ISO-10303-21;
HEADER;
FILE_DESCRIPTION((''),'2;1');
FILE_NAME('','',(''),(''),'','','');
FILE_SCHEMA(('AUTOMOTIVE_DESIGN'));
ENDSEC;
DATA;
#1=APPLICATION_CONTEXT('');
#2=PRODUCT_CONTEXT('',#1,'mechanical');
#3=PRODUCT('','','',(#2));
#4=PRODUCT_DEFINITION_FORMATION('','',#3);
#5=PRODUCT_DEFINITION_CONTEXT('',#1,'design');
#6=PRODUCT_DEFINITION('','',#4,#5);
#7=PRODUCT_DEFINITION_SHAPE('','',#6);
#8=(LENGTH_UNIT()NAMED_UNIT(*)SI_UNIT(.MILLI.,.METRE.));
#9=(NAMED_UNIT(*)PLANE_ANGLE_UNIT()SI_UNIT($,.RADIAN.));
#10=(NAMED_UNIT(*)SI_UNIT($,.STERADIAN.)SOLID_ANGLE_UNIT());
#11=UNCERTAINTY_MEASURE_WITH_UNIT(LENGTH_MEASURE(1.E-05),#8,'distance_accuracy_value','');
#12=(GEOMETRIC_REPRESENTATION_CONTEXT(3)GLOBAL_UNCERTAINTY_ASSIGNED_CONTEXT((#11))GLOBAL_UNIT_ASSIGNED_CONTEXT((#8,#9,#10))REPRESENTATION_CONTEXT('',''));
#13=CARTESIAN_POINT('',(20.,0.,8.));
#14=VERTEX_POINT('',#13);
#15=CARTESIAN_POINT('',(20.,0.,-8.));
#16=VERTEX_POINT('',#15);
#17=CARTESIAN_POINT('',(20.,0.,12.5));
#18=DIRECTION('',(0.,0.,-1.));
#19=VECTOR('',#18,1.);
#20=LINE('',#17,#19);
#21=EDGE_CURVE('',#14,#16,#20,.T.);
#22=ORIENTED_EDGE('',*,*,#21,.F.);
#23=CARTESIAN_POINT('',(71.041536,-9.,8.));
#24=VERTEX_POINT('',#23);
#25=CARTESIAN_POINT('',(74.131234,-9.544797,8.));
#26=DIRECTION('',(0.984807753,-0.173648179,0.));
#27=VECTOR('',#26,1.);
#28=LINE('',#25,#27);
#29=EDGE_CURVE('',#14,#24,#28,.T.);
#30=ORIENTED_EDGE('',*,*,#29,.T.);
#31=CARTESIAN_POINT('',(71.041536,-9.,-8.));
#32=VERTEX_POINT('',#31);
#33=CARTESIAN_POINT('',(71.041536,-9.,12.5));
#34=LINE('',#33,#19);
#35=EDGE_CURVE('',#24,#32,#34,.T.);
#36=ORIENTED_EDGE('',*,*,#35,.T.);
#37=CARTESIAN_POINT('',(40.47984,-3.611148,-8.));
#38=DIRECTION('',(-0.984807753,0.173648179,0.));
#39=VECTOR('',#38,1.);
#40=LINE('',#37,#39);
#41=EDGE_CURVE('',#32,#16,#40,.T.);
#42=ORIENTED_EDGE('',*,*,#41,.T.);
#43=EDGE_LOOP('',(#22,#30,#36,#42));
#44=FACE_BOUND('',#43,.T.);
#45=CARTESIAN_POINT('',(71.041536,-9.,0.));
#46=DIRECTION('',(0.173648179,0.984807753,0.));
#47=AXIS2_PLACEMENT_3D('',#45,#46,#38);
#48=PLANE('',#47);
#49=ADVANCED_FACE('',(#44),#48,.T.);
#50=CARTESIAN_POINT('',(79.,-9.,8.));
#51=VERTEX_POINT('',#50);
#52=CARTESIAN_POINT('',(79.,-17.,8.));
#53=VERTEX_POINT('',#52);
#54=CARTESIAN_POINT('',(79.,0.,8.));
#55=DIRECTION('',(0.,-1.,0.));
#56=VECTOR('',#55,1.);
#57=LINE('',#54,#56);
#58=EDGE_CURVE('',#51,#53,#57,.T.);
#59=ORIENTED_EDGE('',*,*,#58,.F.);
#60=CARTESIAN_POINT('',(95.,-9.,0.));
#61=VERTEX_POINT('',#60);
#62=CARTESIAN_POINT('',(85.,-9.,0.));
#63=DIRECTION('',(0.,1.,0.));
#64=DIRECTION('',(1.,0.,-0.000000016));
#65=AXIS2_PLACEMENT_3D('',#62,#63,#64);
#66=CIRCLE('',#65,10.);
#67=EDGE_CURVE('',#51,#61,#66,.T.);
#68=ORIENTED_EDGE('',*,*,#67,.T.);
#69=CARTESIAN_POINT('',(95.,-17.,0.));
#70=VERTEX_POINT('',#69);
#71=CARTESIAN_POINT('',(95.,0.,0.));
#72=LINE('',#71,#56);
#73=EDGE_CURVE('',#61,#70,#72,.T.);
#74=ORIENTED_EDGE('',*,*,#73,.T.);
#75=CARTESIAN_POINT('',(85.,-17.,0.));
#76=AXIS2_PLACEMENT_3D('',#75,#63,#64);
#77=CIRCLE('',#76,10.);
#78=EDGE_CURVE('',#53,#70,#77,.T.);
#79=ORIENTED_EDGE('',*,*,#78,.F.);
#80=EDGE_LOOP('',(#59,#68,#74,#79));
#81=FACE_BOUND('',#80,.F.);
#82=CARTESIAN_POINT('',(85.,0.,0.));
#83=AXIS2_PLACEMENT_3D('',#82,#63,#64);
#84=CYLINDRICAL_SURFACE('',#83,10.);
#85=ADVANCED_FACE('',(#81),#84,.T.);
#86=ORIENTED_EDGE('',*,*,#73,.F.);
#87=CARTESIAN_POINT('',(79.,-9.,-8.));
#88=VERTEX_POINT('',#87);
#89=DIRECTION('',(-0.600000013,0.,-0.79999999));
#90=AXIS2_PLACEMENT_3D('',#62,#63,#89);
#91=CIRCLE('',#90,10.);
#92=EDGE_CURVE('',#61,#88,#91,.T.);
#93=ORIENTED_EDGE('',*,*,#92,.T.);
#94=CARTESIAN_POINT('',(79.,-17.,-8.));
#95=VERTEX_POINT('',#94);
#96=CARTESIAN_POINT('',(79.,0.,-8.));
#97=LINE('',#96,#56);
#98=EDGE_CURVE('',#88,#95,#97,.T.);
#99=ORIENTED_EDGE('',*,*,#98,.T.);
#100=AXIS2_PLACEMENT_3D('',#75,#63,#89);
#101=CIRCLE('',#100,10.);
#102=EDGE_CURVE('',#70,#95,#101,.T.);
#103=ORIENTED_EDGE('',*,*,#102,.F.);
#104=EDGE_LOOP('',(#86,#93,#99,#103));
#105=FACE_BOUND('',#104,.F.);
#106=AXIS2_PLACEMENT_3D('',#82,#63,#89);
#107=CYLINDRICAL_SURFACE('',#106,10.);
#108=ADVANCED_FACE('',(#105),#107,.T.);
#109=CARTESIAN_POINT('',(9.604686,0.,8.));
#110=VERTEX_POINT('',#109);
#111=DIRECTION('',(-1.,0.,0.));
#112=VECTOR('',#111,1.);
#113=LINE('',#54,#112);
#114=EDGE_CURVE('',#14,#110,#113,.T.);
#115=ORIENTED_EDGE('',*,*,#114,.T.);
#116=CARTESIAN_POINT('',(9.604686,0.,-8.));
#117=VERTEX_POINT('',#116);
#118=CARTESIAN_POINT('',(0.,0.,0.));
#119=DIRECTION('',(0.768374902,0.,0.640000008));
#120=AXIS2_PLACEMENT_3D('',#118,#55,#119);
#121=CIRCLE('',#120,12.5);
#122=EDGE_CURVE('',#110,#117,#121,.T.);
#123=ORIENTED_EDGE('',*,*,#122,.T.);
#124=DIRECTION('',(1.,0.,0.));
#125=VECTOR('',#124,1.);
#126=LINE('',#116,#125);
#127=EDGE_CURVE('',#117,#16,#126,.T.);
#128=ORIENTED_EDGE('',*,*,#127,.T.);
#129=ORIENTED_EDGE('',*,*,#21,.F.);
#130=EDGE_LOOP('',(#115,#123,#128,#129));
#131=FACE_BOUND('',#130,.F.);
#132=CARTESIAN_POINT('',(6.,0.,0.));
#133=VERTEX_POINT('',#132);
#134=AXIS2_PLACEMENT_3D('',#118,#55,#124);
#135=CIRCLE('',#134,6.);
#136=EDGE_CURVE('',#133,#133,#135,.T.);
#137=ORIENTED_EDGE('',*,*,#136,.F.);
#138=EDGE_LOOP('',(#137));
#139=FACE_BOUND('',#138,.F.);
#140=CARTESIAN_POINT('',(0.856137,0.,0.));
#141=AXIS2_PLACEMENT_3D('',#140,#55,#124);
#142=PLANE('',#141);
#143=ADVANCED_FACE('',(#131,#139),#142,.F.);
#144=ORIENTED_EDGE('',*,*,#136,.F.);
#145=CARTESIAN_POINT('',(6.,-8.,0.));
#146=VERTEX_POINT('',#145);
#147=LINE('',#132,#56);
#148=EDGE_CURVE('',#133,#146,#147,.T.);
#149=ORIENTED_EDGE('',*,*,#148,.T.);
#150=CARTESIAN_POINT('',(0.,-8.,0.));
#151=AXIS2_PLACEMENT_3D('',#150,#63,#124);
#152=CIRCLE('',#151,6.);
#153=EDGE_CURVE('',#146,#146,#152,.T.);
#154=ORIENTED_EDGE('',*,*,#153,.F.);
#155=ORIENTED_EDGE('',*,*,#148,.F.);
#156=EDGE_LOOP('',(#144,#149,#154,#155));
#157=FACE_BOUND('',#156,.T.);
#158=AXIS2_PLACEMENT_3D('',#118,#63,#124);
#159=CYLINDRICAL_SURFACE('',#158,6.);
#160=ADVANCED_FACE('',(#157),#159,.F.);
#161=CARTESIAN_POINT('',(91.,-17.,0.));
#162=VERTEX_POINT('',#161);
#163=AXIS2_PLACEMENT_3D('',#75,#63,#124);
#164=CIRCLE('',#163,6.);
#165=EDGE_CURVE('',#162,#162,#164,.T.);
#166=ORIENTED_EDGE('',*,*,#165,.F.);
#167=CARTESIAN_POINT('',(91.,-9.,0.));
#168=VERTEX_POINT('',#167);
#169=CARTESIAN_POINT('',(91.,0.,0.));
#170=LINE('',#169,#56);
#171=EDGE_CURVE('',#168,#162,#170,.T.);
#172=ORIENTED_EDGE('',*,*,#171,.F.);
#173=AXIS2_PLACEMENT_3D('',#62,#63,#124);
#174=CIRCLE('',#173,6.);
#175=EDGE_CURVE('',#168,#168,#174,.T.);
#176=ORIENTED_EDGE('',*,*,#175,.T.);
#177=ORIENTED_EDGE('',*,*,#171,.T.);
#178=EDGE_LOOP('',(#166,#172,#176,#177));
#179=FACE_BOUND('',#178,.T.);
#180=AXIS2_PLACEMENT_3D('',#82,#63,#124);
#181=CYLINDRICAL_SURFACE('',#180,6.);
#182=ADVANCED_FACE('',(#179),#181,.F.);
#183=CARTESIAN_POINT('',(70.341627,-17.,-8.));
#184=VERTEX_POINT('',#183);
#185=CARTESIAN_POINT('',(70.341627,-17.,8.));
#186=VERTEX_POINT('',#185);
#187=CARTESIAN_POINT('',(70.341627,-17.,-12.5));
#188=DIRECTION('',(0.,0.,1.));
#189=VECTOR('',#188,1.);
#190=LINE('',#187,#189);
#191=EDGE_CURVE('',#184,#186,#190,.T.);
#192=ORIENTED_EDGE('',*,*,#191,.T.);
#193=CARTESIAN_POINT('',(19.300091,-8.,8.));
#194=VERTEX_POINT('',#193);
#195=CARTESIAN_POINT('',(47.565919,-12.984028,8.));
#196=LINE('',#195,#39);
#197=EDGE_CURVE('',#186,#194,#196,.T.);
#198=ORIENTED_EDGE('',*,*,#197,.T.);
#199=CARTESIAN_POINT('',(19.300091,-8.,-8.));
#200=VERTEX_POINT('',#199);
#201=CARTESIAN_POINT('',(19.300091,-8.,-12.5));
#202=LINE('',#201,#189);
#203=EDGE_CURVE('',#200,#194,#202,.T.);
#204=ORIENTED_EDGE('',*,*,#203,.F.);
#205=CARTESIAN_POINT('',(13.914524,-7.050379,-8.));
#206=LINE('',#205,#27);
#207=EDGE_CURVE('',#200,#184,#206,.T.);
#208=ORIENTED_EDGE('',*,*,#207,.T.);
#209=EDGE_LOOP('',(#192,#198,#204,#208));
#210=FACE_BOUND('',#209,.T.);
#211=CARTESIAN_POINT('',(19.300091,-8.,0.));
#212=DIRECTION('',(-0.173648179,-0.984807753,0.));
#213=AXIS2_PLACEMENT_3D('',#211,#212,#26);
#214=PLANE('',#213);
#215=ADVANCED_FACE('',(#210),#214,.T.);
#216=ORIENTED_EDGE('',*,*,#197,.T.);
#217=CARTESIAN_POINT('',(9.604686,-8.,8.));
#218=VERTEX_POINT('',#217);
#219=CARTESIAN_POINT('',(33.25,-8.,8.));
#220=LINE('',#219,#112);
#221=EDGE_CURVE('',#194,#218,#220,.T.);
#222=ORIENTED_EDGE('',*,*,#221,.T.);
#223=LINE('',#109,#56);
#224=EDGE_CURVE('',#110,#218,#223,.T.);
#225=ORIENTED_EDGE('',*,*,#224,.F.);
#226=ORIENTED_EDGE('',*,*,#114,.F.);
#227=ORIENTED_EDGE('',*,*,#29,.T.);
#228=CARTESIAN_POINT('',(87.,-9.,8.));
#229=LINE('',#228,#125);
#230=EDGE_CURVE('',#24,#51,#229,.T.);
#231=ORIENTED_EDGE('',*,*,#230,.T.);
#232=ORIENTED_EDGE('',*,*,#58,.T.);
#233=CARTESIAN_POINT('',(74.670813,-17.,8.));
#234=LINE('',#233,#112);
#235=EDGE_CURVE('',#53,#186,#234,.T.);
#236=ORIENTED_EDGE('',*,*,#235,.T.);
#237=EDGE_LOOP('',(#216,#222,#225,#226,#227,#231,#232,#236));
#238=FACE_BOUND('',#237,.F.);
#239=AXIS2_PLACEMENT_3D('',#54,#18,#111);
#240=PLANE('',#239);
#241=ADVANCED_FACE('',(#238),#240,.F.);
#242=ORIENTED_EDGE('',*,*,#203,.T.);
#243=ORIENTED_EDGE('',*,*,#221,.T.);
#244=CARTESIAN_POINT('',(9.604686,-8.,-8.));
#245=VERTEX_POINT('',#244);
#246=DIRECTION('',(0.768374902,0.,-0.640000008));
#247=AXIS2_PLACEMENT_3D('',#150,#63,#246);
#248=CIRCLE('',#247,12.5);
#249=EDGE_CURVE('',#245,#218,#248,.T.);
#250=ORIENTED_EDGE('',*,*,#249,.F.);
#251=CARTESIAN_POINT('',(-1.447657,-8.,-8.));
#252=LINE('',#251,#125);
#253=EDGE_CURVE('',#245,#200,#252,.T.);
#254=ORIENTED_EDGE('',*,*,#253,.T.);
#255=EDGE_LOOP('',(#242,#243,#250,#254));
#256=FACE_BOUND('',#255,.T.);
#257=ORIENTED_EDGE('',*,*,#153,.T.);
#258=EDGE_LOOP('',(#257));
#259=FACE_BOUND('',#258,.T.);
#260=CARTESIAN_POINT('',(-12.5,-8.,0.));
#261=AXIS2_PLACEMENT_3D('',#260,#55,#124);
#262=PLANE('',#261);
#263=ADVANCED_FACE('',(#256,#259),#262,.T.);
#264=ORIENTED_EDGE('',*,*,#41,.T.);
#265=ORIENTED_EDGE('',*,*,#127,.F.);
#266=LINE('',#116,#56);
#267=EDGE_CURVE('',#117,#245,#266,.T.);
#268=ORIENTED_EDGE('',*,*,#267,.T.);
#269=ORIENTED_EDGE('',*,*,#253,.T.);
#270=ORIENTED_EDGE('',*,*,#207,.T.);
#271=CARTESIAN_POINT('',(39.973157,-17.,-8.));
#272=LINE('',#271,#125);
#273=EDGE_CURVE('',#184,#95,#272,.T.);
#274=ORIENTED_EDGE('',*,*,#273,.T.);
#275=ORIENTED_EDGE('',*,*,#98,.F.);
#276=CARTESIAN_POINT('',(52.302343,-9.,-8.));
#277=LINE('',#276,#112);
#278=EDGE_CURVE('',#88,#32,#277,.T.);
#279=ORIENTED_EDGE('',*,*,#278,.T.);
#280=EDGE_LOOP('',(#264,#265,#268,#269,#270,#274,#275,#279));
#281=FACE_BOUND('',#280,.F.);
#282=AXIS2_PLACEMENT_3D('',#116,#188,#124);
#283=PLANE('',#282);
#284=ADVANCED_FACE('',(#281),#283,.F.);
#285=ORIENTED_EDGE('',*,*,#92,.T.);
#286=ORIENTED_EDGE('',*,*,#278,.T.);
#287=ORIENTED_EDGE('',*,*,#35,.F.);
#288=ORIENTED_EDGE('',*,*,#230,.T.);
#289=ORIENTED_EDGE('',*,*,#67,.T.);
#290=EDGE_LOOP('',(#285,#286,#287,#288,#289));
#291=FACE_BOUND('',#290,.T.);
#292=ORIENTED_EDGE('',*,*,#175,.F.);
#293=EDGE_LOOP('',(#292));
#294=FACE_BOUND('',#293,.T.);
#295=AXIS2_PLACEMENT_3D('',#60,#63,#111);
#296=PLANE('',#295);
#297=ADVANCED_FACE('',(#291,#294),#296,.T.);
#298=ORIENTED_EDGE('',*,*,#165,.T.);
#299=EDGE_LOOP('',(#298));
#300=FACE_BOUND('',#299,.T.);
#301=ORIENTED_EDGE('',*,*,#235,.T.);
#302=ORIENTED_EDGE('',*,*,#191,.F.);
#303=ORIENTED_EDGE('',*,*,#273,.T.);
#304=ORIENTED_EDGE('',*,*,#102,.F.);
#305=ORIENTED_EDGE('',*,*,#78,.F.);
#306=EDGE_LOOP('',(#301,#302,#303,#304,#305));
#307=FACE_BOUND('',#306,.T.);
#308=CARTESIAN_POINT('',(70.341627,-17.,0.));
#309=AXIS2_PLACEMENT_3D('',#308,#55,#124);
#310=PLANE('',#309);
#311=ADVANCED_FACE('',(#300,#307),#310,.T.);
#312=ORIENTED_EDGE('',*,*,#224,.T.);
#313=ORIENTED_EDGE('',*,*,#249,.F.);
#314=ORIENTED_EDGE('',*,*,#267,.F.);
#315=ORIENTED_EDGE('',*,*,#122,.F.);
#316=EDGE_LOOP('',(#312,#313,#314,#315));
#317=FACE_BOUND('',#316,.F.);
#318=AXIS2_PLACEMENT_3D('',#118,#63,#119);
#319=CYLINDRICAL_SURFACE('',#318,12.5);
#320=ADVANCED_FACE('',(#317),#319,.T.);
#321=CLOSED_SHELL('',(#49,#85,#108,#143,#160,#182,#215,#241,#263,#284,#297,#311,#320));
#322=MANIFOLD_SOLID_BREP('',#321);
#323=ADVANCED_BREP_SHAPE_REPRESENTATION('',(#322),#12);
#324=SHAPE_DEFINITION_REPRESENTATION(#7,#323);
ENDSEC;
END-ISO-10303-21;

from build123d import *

# Parameters (mm, degrees)
F0_R     = 6
F1_DEPTH = 25
F3_DEPTH = 12.5


with BuildPart() as f1:
    # F0 (on Front) → F1 (new body)
    with BuildSketch(Plane.XZ):
        with BuildLine():
            ThreePointArc((9.604686, -8), (11.753905, -4.253905), (12.5, 0))
            ThreePointArc((12.5, 0), (11.753905, 4.253905), (9.604686, 8))
            ThreePointArc((9.604686, 8), (-12.5, 0), (9.604686, -8))
        make_face()
        Circle(F0_R, mode=Mode.SUBTRACT)
        with BuildLine():
            ThreePointArc((95, 0), (89.472136, 8.944272), (79, 8))
            ThreePointArc((79, 8), (75, 0), (79, -8))
            ThreePointArc((79, -8), (89.472136, -8.944272), (95, 0))
        make_face()
        with Locations((85, 0)):
            Circle(F0_R, mode=Mode.SUBTRACT)
        with BuildLine():
            ThreePointArc((9.604686, 8), (11.753905, 4.253905), (12.5, 0))
            ThreePointArc((12.5, 0), (11.753905, -4.253905), (9.604686, -8))
            Line((9.604686, -8), (79, -8))
            ThreePointArc((79, -8), (75, 0), (79, 8))
            Line((79, 8), (9.604686, 8))
        make_face()
    extrude(amount=F1_DEPTH)

    # F2 (on Top) → F3 (intersect, symmetric)
    with BuildSketch(Plane.XY):
        Polygon((20, 0), (-12.5, 0), (-12.5, -8), (19.300091, -8), (70.341627, -17), (95, -17), (95, -9), (71.041536, -9), align=None)
    extrude(amount=F3_DEPTH, both=True, mode=Mode.INTERSECT)


solid = f1.part
